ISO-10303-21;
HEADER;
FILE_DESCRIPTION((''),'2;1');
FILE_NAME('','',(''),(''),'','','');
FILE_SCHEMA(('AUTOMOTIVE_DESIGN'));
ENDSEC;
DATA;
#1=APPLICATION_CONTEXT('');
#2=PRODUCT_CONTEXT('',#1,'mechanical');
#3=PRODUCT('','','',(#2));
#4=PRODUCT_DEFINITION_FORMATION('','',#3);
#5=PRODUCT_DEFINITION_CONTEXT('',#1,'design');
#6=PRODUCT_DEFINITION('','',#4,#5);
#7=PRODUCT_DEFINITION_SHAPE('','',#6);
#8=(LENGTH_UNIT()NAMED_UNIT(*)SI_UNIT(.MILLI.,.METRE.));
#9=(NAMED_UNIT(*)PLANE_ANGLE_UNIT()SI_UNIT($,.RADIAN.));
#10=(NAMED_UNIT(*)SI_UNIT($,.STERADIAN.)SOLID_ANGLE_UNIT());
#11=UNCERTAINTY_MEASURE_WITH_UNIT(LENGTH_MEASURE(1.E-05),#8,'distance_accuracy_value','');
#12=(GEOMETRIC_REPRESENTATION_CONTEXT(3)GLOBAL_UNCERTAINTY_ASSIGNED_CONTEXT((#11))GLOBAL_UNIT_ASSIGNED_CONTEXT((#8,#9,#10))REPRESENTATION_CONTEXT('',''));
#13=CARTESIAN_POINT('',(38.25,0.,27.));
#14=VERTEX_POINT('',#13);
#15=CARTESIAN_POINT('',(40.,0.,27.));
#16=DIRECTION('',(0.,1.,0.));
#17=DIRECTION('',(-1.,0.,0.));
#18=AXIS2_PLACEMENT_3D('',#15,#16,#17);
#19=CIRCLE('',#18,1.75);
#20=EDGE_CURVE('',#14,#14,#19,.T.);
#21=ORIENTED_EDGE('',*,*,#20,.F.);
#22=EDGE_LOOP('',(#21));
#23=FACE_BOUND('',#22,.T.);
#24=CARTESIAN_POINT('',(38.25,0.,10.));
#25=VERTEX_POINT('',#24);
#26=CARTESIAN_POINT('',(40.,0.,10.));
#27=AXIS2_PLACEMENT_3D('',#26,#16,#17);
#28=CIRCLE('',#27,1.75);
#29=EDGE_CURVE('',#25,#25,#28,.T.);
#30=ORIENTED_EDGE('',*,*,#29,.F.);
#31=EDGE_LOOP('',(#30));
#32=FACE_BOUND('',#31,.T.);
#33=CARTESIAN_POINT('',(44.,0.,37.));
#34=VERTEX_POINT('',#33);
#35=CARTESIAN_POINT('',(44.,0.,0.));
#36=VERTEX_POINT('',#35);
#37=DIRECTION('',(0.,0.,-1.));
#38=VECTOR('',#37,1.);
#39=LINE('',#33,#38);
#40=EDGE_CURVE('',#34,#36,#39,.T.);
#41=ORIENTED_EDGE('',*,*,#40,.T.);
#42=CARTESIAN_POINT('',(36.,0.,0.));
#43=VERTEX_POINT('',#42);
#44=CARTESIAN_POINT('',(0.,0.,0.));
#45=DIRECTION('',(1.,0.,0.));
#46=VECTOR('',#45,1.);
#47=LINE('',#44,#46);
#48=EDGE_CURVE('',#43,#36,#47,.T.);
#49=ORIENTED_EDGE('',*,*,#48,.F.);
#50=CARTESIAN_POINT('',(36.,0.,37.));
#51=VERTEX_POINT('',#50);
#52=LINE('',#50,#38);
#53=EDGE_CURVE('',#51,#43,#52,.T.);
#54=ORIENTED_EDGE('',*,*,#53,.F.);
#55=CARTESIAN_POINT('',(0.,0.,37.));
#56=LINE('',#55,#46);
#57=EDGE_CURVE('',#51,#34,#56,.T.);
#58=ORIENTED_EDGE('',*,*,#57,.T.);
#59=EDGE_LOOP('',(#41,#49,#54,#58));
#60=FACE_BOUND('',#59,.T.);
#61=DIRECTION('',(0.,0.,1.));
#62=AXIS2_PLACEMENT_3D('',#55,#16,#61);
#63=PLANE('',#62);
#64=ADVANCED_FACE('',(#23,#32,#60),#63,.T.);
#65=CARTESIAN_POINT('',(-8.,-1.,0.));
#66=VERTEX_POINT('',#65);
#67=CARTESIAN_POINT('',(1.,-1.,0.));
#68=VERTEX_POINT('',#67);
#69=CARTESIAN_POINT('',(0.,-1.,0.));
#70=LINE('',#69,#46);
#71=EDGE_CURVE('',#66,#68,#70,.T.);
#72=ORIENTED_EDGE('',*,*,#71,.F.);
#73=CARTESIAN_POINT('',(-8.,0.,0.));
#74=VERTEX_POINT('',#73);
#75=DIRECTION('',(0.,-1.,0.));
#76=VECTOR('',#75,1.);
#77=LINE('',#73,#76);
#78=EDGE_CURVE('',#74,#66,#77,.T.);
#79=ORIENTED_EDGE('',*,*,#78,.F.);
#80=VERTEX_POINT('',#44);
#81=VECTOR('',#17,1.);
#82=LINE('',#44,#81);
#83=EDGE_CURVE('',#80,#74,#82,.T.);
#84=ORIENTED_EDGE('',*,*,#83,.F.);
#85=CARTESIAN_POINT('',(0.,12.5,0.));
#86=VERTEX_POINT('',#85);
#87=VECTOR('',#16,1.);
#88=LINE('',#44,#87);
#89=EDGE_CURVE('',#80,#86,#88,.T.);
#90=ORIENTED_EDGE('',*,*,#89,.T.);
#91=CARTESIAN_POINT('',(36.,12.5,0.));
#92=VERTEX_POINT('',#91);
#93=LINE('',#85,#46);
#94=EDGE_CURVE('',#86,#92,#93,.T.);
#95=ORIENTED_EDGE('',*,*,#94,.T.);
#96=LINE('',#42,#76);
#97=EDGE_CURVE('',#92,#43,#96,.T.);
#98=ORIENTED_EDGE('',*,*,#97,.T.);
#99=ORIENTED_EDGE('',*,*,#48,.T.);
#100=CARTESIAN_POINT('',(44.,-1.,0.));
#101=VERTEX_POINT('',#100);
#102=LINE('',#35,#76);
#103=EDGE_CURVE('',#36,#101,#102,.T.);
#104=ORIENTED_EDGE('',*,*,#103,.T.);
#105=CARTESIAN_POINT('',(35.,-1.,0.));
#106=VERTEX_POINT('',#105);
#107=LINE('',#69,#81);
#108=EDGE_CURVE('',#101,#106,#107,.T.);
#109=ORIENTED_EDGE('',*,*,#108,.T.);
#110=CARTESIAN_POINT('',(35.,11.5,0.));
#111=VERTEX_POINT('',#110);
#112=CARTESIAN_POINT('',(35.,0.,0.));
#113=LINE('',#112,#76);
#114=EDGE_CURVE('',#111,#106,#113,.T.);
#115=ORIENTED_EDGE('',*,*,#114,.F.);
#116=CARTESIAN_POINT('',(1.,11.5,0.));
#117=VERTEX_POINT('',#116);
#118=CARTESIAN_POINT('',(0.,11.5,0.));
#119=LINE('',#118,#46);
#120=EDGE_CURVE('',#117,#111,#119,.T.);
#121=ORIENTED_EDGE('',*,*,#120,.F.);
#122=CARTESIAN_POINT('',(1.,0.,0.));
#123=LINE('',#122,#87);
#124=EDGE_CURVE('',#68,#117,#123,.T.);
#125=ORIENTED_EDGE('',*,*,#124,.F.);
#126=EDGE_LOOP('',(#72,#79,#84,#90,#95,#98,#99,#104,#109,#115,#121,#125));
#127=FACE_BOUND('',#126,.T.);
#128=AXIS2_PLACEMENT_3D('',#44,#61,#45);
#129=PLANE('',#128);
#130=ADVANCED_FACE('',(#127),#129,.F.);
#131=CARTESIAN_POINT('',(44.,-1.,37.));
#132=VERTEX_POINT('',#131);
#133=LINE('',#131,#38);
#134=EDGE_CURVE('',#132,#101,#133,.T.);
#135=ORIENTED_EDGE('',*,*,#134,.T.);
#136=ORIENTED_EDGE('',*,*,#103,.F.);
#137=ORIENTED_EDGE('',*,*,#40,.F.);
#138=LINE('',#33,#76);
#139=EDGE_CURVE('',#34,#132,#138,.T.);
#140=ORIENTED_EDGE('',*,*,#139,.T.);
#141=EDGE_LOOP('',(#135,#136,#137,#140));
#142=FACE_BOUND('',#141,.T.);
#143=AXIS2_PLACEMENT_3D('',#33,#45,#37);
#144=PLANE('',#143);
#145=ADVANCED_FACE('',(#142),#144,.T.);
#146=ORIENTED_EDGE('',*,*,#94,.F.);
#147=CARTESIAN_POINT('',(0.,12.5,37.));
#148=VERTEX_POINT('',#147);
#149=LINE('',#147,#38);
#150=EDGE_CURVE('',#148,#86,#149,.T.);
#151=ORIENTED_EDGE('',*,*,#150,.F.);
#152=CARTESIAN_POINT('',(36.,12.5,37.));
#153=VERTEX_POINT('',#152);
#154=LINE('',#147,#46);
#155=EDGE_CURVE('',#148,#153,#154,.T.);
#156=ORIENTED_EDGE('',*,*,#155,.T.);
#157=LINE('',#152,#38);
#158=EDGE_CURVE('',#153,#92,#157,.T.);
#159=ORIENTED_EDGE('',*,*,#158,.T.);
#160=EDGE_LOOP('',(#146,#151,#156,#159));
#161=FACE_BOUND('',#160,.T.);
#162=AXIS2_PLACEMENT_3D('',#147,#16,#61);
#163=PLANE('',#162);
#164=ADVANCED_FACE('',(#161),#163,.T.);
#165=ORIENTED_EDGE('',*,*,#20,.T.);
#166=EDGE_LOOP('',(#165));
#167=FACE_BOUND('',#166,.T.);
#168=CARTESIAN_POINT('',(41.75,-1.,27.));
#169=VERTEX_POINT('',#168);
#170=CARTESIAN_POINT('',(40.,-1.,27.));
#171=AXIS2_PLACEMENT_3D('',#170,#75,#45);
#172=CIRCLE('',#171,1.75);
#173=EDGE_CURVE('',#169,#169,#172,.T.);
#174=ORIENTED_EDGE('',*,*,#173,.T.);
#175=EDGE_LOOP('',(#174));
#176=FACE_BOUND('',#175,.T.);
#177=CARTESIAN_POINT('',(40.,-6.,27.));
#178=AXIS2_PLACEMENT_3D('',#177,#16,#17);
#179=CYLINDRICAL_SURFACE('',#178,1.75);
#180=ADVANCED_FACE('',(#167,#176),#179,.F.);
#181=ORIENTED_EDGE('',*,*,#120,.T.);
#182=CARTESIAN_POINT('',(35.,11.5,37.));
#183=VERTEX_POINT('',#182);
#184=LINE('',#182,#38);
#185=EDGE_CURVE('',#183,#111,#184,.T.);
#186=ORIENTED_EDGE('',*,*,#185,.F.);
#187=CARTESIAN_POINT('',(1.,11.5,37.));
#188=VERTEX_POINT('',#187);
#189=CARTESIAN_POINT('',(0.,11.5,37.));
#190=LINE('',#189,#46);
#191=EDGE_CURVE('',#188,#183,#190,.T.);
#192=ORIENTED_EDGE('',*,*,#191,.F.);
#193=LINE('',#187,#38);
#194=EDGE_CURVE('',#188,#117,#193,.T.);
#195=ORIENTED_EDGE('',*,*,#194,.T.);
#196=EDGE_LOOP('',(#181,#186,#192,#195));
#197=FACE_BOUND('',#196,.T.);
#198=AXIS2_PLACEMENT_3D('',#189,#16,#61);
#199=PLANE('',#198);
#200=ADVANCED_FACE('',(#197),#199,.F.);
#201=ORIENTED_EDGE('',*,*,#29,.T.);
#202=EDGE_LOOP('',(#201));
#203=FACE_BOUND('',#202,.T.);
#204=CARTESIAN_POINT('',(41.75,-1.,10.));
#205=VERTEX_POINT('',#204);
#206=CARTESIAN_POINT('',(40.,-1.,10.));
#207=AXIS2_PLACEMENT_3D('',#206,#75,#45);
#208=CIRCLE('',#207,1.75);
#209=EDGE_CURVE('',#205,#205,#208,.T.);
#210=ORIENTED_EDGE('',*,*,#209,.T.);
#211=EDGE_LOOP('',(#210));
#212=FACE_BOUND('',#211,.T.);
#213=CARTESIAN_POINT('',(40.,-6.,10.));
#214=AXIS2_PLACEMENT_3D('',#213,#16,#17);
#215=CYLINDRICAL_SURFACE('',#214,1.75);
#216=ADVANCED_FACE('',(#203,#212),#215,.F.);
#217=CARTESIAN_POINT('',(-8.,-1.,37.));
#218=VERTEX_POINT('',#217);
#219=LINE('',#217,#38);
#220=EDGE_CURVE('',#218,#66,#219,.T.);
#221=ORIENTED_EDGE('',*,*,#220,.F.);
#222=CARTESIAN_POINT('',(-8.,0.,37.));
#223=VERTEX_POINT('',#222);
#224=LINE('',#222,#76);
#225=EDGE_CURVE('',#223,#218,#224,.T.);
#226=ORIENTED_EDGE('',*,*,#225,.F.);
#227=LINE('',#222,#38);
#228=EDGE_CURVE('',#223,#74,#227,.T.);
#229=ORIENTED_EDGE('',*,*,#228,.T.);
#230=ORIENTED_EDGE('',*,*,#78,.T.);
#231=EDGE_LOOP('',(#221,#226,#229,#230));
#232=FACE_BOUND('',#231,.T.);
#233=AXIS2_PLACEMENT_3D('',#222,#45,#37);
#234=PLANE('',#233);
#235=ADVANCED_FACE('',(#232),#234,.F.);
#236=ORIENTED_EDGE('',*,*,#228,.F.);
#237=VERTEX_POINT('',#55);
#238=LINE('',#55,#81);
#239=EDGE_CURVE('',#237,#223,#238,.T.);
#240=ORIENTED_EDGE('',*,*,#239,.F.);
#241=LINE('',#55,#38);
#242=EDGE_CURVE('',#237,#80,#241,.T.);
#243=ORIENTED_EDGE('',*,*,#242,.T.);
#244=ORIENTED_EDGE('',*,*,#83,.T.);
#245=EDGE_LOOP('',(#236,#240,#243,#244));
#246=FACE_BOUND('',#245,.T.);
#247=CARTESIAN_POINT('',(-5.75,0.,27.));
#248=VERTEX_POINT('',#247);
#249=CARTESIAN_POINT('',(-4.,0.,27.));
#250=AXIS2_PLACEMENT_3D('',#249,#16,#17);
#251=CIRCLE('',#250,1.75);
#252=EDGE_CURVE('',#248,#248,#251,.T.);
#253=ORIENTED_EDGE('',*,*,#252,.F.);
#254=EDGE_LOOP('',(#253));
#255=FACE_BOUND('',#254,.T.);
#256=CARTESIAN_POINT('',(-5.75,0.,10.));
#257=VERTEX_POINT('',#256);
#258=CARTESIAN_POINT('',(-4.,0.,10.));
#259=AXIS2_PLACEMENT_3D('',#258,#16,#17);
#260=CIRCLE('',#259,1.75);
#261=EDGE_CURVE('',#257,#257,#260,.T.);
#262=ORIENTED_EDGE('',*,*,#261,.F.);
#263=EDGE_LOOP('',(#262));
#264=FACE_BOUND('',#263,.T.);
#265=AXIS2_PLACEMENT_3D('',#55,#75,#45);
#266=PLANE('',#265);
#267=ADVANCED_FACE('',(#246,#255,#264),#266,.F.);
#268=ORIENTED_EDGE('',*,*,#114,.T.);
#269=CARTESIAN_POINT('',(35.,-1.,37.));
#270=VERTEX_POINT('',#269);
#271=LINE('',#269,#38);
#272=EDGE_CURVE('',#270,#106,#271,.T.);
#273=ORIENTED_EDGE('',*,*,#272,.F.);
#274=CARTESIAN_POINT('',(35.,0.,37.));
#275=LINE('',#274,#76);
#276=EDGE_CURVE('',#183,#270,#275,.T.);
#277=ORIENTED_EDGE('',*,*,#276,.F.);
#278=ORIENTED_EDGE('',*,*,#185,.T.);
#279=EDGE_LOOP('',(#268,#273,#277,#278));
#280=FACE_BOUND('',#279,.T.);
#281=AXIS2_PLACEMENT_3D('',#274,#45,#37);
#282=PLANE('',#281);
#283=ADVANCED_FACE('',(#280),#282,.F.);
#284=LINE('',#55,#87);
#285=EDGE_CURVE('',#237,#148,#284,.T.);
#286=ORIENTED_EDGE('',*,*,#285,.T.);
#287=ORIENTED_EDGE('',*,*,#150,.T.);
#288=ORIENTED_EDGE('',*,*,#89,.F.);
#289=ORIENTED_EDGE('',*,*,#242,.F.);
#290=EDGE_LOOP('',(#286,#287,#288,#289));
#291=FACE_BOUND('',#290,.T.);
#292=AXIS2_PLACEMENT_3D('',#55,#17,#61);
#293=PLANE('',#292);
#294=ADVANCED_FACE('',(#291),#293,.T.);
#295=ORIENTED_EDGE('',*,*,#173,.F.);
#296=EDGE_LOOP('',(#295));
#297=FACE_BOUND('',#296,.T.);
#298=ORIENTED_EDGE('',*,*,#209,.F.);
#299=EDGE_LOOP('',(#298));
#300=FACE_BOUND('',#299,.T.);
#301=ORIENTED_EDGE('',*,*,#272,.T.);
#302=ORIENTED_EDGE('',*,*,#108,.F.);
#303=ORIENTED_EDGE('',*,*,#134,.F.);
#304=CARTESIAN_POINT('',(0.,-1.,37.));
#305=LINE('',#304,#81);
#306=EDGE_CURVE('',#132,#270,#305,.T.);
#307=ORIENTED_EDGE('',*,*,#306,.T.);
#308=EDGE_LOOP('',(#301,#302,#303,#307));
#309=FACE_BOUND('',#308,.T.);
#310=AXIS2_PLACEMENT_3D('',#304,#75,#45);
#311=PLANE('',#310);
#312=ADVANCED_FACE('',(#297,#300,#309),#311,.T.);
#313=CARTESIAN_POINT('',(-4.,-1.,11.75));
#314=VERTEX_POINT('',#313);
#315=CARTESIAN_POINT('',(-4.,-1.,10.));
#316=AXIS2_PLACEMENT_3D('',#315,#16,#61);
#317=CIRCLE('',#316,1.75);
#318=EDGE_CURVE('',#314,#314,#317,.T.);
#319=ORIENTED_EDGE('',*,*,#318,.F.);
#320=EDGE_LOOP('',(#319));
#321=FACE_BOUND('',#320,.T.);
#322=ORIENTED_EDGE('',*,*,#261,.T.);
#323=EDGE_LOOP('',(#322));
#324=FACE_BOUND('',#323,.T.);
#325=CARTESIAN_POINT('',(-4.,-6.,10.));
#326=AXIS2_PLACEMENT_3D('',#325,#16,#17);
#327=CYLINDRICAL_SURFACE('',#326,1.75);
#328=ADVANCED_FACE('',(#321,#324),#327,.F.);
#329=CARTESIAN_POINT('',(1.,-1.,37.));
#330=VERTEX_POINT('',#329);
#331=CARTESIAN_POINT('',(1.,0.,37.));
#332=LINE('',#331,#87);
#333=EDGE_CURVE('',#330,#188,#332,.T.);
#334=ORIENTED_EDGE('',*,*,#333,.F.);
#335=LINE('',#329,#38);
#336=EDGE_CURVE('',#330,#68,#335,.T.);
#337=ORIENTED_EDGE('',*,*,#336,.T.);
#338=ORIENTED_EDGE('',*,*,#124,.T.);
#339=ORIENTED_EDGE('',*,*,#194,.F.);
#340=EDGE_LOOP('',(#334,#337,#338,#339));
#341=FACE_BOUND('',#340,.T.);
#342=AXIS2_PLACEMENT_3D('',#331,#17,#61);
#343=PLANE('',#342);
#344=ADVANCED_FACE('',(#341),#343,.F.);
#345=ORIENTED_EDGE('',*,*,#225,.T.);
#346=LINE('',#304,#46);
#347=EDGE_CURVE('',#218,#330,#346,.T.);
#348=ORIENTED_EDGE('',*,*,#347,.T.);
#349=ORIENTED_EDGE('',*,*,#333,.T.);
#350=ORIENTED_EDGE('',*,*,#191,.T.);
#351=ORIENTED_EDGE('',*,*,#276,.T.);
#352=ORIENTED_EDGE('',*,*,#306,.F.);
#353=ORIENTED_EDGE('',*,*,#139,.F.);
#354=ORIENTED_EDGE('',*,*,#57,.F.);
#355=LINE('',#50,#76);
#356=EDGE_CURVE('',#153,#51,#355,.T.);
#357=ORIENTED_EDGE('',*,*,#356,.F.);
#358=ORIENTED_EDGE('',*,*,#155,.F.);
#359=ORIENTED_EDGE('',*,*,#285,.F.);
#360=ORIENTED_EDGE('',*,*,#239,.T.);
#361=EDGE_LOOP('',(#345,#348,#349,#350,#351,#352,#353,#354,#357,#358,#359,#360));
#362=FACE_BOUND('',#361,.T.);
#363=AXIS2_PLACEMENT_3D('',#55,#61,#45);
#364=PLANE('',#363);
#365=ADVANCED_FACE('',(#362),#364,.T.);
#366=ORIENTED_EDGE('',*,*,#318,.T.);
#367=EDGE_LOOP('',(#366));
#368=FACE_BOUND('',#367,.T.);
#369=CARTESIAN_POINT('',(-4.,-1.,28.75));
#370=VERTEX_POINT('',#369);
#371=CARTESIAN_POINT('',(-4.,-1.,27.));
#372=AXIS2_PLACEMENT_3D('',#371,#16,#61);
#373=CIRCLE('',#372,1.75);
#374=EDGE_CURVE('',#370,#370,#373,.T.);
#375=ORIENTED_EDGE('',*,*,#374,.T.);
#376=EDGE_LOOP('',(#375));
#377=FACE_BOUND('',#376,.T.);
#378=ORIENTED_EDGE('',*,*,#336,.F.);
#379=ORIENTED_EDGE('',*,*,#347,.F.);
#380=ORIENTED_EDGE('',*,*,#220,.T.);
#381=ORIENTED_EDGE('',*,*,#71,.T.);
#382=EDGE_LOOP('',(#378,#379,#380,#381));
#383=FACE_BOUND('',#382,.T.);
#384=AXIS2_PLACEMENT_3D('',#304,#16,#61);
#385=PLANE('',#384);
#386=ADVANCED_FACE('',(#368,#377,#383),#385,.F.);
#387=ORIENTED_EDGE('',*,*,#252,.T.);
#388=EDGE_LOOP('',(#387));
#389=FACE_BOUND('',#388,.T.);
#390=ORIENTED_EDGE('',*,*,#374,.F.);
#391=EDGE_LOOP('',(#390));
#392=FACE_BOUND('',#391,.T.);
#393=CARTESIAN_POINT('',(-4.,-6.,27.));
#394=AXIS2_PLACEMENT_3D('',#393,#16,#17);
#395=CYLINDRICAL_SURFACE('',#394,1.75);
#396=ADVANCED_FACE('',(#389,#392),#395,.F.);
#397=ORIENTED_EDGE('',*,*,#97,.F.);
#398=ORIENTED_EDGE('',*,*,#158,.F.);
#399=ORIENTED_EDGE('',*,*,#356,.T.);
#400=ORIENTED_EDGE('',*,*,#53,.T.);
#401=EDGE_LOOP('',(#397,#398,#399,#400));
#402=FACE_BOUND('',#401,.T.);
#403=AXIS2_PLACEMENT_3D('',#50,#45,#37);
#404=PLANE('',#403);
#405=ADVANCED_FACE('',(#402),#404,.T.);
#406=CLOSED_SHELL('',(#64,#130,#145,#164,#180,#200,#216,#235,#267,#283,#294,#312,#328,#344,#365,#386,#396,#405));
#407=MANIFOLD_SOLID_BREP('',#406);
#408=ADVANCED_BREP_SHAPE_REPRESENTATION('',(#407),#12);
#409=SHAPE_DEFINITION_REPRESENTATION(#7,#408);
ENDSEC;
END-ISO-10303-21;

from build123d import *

# Parameters (mm, degrees)
BOSS_EXTRUDE1_DEPTH = 37
SKETCH2_R           = 1.75
CUT_EXTRUDE1_DEPTH  = 6


with BuildPart() as part:
    # Sketch1 → Boss-Extrude1 (new body)
    with BuildSketch(Plane.XY):
        Polygon((1, 11.5), (35, 11.5), (35, -1), (44, -1), (44, 0), (36, 0), (36, 12.5), (0, 12.5), (0, 0), (-8, 0), (-8, -1), (1, -1), align=None)
    extrude(amount=BOSS_EXTRUDE1_DEPTH)

    # Sketch2 → Cut-Extrude1 (cut)
    with BuildSketch(Plane(origin=(0, 0, 0), x_dir=(1, 0, 0), z_dir=(0, 1, 0))):
        with Locations((-4, -27)):
            Circle(SKETCH2_R)
        with Locations((-4, -10)):
            Circle(SKETCH2_R)
        with Locations((40, -27)):
            Circle(SKETCH2_R)
        with Locations((40, -10)):
            Circle(SKETCH2_R)
    extrude(amount=-CUT_EXTRUDE1_DEPTH, mode=Mode.SUBTRACT)


solid = part.part
